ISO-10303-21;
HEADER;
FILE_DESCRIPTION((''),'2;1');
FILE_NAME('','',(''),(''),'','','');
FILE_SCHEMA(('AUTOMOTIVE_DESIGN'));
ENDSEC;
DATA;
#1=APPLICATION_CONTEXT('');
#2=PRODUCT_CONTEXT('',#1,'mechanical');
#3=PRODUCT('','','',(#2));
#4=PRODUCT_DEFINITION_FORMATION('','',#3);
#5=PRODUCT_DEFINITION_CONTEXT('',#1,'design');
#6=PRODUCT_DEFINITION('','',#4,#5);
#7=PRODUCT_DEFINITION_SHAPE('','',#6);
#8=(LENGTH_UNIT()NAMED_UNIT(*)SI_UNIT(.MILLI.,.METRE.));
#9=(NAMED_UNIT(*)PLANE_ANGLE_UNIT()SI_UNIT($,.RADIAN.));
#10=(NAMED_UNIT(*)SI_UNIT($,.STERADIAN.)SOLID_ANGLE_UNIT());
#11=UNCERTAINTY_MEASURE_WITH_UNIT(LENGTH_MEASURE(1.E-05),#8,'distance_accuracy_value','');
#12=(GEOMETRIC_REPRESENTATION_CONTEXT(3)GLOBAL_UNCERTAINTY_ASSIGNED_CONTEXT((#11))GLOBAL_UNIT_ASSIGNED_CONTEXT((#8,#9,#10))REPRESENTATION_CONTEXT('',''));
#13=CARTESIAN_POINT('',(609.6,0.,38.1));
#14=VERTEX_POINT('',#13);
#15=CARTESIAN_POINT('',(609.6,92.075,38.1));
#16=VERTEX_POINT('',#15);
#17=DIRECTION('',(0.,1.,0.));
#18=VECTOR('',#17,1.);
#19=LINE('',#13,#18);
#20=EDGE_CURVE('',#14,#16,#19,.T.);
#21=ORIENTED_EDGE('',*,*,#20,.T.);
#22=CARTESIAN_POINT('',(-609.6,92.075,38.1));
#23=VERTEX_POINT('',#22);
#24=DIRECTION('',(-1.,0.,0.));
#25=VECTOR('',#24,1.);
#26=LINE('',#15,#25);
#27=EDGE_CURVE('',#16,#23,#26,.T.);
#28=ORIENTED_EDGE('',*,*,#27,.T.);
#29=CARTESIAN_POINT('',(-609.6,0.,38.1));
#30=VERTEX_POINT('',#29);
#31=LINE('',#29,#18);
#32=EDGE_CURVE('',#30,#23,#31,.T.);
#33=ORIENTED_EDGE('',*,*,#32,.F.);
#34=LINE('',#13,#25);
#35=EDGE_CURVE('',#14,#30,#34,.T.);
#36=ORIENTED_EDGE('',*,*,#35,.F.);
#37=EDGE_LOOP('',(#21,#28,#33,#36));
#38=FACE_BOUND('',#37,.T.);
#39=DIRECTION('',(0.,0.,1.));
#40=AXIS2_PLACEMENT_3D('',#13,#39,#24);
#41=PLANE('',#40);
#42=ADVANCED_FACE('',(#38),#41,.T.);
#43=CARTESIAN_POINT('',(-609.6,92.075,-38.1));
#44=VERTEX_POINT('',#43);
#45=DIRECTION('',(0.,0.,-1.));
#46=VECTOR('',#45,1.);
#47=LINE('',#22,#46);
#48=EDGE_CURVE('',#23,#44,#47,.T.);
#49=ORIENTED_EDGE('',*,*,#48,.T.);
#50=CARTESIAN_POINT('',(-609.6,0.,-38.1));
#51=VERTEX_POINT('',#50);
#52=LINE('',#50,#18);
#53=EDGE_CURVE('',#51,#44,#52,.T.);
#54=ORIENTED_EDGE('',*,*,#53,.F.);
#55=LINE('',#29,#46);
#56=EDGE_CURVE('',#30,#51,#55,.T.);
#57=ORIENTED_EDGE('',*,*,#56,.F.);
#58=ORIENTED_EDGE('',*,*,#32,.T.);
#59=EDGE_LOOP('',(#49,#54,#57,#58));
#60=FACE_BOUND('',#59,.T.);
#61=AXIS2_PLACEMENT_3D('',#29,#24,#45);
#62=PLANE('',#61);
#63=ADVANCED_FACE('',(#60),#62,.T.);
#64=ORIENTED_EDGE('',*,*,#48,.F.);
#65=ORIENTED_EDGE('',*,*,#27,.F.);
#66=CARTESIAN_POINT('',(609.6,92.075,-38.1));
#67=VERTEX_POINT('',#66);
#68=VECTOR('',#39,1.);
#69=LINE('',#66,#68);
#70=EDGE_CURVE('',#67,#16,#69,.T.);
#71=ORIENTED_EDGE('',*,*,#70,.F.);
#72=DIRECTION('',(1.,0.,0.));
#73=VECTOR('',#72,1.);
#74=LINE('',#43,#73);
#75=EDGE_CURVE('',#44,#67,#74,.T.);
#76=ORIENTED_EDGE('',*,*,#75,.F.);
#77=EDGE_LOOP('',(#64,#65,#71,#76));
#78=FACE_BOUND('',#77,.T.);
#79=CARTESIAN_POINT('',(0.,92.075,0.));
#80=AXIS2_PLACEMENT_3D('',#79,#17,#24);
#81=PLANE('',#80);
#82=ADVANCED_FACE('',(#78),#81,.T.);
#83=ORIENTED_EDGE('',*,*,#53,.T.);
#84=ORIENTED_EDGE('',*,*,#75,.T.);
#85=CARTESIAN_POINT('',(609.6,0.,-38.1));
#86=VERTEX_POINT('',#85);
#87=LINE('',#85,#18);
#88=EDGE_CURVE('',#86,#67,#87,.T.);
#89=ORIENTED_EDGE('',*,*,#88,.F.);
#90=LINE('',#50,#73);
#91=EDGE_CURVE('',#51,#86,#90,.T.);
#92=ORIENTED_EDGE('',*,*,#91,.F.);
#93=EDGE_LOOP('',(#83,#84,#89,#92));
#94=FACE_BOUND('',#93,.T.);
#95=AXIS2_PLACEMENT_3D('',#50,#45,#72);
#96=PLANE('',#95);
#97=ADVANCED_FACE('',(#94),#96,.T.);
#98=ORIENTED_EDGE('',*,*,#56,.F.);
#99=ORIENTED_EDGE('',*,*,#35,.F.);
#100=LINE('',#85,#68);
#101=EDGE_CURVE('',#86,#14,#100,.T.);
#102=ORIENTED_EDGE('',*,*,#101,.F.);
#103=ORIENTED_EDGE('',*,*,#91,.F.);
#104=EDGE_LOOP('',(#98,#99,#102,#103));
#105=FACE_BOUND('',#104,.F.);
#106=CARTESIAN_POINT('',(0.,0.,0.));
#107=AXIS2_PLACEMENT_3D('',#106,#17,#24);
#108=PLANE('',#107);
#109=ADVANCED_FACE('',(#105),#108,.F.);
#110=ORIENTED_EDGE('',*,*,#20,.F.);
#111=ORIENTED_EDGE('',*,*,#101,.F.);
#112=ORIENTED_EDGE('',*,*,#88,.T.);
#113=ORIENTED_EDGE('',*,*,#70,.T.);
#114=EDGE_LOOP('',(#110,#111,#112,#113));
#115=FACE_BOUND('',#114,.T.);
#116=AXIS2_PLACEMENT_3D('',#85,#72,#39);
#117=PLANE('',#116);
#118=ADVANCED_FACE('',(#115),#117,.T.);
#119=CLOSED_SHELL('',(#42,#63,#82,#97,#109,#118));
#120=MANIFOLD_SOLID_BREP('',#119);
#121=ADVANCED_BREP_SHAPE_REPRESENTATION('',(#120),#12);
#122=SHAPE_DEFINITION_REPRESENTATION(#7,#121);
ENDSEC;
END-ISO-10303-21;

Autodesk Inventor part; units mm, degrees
ref_plane "YZ Plane" through (0, 0, 0) normal (1, 0, 0) x (0, 1, 0)
ref_plane "XZ Plane" through (0, 0, 0) normal (0, 1, 0) x (-1, 0, 0)
ref_plane "XY Plane" through (0, 0, 0) normal (0, 0, 1) x (1, 0, 0)
sketch "Sketch1" plane through (0, 0, 0) normal (0, 1, 0) x (-1, 0, 0)
  line L0 (609.6, -38.1) -> (-609.6, -38.1)
  line L1 (-609.6, -38.1) -> (-609.6, 38.1)
  line L2 (-609.6, 38.1) -> (609.6, 38.1)
  line L3 (609.6, 38.1) -> (609.6, -38.1)
  line L4 (609.6, -38.1) -> (-609.6, 38.1) construction
  line L5 (-609.6, -38.1) -> (609.6, 38.1) construction
  point P0 (0, 0)
  dimension "d0" = 1219.2
  dimension "d1" = 76.2
extrude "Extrusion1" add sketch "Sketch1" along normal blind 92.075
sketch "Sketch2" plane through (609.6, 0, 38.1) normal (1, 0, 0) x (0, 0, -1)
  line L0 (0, 0) -> (0, 92.075) projected
  line L1 (0, 92.075) -> (76.2, 92.075) construction
  line L2 (0, 92.075) -> (0, 0) construction
  line L3 (0, 82.0217) -> (6.35, 82.0217)
  line L4 (6.35, 82.0217) -> (6.35, 75.6717)
  line L5 (6.35, 75.6717) -> (0, 75.6717)
  line L6 (0, 75.6717) -> (0, 82.0217) construction
  line L7 (0, 82.0217) -> (0, 75.6717)
  line L8 (0, 65.6184) -> (6.35, 65.6184)
  line L9 (6.35, 65.6184) -> (6.35, 59.2684)
  line L10 (6.35, 59.2684) -> (0, 59.2684)
  line L11 (0, 59.2684) -> (0, 65.6184)
  line L12 (0, 49.215) -> (6.35, 49.215)
  line L13 (6.35, 49.215) -> (6.35, 42.865)
  line L14 (6.35, 42.865) -> (0, 42.865)
  line L15 (0, 42.865) -> (0, 49.215)
  line L16 (0, 32.8117) -> (6.35, 32.8117)
  line L17 (6.35, 32.8117) -> (6.35, 26.4617)
  line L18 (6.35, 26.4617) -> (0, 26.4617)
  line L19 (0, 26.4617) -> (0, 32.8117)
  line L20 (0, 16.4084) -> (6.35, 16.4084)
  line L21 (6.35, 16.4084) -> (6.35, 10.0584)
  line L22 (6.35, 10.0584) -> (0, 10.0584)
  line L23 (0, 10.0584) -> (0, 16.4084)
  point P0 (38.1, 0)
  point P1 (0, 16.4084)
  point P2 (0, 10.0584)
  point P3 (0, 32.8117)
  point P4 (0, 26.4617)
  point P5 (0, 49.215)
  point P6 (0, 65.6184)
  point P7 (0, 59.2684)
  point P8 (0, 82.0217)
  point P9 (0, 75.6717)
  dimension "d5" = 6.35
  dimension "d6" = 6.35
  dimension "d7" = 6.35
  dimension "d8" = 6.35
  dimension "d9" = 10.0533
  dimension "d10" = 6.35
  dimension "d11" = 6.35
  dimension "d12" = 10.0533
  dimension "d13" = 10.0533
  dimension "d14" = 6.35
  dimension "d15" = 6.35
  dimension "d16" = 6.35
  dimension "d17" = 6.35
  dimension "d18" = 10.0533
  dimension "d19" = 10.0533
  dimension "d20" = 10.0584
extrude "Extrusion2" [suppressed]
equation "\"d12\" = d9"
equation "\"d13\" = d9"
equation "\"d18\" = d13"
properties part number "Bridge veneer" material "Limestone"
